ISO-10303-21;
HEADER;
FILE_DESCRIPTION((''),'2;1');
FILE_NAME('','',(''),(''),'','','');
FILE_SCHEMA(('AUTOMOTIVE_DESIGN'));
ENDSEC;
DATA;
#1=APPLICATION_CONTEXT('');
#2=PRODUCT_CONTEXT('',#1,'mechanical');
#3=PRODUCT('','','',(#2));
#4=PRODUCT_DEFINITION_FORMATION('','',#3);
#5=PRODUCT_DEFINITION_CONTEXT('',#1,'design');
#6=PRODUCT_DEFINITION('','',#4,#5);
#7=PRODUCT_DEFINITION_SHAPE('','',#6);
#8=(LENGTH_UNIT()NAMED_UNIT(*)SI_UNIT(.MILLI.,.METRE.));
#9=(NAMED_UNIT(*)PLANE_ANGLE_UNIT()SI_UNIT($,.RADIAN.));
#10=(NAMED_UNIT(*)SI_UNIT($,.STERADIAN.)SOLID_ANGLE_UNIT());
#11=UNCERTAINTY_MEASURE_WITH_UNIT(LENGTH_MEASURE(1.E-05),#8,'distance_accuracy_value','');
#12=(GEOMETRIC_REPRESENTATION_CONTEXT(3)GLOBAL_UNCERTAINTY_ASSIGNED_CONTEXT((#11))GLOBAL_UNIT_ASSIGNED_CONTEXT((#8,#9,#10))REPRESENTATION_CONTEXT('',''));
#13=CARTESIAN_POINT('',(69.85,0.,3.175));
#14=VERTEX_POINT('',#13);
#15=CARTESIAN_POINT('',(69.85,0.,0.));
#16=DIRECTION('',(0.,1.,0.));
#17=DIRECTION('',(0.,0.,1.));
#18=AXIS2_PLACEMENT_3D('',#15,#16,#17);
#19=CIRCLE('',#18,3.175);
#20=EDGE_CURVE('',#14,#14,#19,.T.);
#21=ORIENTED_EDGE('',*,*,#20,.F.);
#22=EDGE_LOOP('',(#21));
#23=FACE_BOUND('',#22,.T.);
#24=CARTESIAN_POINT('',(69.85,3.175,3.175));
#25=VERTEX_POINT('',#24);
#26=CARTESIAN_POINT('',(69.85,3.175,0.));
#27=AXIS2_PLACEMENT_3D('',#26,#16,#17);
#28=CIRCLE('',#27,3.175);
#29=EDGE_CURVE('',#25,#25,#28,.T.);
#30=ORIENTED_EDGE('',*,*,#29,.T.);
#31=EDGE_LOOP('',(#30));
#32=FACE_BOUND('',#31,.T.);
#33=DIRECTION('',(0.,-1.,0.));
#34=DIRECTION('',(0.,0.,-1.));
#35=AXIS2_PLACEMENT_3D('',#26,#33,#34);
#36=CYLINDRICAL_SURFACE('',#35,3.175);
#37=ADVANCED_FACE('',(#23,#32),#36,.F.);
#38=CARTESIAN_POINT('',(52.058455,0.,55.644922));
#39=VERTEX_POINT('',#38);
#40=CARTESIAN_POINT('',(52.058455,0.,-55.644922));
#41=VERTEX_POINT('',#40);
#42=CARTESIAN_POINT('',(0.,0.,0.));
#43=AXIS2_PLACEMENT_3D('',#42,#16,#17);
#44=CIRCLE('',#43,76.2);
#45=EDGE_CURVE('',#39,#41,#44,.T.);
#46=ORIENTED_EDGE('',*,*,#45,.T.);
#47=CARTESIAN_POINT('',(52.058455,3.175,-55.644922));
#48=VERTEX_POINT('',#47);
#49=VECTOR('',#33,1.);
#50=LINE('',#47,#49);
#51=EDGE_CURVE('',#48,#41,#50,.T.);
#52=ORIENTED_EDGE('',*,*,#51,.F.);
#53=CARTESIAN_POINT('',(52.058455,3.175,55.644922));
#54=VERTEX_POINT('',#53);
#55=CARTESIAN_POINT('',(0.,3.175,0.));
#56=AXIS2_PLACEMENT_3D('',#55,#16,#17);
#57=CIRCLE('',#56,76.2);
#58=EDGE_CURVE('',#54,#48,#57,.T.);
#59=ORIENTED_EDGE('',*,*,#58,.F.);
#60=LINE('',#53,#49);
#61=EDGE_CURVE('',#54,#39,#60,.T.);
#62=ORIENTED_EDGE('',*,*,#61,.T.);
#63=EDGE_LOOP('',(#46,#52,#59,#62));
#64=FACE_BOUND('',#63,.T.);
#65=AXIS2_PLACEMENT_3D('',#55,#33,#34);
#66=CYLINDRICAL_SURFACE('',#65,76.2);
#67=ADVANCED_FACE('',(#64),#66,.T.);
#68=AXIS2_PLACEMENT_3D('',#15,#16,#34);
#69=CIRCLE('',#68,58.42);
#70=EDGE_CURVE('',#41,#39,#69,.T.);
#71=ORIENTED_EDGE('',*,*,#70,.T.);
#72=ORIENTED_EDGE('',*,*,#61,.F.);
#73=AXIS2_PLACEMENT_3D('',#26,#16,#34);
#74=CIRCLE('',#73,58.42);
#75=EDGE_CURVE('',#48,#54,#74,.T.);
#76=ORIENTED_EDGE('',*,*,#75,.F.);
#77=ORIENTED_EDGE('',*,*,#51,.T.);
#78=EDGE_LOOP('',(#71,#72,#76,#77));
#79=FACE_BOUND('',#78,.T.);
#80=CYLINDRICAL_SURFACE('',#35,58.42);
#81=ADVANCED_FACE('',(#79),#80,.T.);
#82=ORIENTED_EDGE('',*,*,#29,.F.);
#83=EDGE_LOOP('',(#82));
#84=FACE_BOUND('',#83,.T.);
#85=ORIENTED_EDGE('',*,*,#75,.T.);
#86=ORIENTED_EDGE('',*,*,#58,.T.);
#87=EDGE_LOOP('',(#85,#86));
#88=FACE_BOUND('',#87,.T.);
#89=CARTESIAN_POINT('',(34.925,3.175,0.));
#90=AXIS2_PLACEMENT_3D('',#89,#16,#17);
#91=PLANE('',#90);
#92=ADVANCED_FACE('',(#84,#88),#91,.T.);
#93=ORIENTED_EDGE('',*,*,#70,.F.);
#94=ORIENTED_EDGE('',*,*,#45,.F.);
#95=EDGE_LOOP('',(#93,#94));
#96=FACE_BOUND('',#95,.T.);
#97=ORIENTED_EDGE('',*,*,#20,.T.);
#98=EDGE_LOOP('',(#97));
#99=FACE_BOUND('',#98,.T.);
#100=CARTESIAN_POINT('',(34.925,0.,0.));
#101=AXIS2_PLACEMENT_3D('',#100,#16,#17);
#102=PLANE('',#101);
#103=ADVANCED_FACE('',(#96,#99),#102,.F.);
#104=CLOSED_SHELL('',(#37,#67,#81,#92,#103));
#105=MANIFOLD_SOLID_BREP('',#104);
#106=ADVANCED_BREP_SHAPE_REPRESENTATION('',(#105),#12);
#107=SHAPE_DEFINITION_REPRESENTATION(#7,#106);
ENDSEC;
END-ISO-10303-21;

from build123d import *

# Parameters (mm, degrees)
SKETCH1_R           = 3.175
BOSS_EXTRUDE1_DEPTH = 3.175


with BuildPart() as part:
    # Sketch1 → Boss-Extrude1 (new body)
    with BuildSketch(Plane(origin=(0, 0, 0), x_dir=(1, 0, 0), z_dir=(0, 1, 0))):
        with BuildLine():
            ThreePointArc((76.2, 0), (69.904557206, 30.328087342), (52.058454545, 55.644921694))
            ThreePointArc((52.058454545, 55.644921694), (11.43, 0), (52.058454545, -55.644921694))
            ThreePointArc((52.058454545, -55.644921694), (69.904557206, -30.328087342), (76.2, 0))
        make_face()
        with Locations(Location((69.85, 0, 0), (0, 0, 270))):
            Circle(SKETCH1_R, mode=Mode.SUBTRACT)
    extrude(amount=BOSS_EXTRUDE1_DEPTH)


solid = part.part
